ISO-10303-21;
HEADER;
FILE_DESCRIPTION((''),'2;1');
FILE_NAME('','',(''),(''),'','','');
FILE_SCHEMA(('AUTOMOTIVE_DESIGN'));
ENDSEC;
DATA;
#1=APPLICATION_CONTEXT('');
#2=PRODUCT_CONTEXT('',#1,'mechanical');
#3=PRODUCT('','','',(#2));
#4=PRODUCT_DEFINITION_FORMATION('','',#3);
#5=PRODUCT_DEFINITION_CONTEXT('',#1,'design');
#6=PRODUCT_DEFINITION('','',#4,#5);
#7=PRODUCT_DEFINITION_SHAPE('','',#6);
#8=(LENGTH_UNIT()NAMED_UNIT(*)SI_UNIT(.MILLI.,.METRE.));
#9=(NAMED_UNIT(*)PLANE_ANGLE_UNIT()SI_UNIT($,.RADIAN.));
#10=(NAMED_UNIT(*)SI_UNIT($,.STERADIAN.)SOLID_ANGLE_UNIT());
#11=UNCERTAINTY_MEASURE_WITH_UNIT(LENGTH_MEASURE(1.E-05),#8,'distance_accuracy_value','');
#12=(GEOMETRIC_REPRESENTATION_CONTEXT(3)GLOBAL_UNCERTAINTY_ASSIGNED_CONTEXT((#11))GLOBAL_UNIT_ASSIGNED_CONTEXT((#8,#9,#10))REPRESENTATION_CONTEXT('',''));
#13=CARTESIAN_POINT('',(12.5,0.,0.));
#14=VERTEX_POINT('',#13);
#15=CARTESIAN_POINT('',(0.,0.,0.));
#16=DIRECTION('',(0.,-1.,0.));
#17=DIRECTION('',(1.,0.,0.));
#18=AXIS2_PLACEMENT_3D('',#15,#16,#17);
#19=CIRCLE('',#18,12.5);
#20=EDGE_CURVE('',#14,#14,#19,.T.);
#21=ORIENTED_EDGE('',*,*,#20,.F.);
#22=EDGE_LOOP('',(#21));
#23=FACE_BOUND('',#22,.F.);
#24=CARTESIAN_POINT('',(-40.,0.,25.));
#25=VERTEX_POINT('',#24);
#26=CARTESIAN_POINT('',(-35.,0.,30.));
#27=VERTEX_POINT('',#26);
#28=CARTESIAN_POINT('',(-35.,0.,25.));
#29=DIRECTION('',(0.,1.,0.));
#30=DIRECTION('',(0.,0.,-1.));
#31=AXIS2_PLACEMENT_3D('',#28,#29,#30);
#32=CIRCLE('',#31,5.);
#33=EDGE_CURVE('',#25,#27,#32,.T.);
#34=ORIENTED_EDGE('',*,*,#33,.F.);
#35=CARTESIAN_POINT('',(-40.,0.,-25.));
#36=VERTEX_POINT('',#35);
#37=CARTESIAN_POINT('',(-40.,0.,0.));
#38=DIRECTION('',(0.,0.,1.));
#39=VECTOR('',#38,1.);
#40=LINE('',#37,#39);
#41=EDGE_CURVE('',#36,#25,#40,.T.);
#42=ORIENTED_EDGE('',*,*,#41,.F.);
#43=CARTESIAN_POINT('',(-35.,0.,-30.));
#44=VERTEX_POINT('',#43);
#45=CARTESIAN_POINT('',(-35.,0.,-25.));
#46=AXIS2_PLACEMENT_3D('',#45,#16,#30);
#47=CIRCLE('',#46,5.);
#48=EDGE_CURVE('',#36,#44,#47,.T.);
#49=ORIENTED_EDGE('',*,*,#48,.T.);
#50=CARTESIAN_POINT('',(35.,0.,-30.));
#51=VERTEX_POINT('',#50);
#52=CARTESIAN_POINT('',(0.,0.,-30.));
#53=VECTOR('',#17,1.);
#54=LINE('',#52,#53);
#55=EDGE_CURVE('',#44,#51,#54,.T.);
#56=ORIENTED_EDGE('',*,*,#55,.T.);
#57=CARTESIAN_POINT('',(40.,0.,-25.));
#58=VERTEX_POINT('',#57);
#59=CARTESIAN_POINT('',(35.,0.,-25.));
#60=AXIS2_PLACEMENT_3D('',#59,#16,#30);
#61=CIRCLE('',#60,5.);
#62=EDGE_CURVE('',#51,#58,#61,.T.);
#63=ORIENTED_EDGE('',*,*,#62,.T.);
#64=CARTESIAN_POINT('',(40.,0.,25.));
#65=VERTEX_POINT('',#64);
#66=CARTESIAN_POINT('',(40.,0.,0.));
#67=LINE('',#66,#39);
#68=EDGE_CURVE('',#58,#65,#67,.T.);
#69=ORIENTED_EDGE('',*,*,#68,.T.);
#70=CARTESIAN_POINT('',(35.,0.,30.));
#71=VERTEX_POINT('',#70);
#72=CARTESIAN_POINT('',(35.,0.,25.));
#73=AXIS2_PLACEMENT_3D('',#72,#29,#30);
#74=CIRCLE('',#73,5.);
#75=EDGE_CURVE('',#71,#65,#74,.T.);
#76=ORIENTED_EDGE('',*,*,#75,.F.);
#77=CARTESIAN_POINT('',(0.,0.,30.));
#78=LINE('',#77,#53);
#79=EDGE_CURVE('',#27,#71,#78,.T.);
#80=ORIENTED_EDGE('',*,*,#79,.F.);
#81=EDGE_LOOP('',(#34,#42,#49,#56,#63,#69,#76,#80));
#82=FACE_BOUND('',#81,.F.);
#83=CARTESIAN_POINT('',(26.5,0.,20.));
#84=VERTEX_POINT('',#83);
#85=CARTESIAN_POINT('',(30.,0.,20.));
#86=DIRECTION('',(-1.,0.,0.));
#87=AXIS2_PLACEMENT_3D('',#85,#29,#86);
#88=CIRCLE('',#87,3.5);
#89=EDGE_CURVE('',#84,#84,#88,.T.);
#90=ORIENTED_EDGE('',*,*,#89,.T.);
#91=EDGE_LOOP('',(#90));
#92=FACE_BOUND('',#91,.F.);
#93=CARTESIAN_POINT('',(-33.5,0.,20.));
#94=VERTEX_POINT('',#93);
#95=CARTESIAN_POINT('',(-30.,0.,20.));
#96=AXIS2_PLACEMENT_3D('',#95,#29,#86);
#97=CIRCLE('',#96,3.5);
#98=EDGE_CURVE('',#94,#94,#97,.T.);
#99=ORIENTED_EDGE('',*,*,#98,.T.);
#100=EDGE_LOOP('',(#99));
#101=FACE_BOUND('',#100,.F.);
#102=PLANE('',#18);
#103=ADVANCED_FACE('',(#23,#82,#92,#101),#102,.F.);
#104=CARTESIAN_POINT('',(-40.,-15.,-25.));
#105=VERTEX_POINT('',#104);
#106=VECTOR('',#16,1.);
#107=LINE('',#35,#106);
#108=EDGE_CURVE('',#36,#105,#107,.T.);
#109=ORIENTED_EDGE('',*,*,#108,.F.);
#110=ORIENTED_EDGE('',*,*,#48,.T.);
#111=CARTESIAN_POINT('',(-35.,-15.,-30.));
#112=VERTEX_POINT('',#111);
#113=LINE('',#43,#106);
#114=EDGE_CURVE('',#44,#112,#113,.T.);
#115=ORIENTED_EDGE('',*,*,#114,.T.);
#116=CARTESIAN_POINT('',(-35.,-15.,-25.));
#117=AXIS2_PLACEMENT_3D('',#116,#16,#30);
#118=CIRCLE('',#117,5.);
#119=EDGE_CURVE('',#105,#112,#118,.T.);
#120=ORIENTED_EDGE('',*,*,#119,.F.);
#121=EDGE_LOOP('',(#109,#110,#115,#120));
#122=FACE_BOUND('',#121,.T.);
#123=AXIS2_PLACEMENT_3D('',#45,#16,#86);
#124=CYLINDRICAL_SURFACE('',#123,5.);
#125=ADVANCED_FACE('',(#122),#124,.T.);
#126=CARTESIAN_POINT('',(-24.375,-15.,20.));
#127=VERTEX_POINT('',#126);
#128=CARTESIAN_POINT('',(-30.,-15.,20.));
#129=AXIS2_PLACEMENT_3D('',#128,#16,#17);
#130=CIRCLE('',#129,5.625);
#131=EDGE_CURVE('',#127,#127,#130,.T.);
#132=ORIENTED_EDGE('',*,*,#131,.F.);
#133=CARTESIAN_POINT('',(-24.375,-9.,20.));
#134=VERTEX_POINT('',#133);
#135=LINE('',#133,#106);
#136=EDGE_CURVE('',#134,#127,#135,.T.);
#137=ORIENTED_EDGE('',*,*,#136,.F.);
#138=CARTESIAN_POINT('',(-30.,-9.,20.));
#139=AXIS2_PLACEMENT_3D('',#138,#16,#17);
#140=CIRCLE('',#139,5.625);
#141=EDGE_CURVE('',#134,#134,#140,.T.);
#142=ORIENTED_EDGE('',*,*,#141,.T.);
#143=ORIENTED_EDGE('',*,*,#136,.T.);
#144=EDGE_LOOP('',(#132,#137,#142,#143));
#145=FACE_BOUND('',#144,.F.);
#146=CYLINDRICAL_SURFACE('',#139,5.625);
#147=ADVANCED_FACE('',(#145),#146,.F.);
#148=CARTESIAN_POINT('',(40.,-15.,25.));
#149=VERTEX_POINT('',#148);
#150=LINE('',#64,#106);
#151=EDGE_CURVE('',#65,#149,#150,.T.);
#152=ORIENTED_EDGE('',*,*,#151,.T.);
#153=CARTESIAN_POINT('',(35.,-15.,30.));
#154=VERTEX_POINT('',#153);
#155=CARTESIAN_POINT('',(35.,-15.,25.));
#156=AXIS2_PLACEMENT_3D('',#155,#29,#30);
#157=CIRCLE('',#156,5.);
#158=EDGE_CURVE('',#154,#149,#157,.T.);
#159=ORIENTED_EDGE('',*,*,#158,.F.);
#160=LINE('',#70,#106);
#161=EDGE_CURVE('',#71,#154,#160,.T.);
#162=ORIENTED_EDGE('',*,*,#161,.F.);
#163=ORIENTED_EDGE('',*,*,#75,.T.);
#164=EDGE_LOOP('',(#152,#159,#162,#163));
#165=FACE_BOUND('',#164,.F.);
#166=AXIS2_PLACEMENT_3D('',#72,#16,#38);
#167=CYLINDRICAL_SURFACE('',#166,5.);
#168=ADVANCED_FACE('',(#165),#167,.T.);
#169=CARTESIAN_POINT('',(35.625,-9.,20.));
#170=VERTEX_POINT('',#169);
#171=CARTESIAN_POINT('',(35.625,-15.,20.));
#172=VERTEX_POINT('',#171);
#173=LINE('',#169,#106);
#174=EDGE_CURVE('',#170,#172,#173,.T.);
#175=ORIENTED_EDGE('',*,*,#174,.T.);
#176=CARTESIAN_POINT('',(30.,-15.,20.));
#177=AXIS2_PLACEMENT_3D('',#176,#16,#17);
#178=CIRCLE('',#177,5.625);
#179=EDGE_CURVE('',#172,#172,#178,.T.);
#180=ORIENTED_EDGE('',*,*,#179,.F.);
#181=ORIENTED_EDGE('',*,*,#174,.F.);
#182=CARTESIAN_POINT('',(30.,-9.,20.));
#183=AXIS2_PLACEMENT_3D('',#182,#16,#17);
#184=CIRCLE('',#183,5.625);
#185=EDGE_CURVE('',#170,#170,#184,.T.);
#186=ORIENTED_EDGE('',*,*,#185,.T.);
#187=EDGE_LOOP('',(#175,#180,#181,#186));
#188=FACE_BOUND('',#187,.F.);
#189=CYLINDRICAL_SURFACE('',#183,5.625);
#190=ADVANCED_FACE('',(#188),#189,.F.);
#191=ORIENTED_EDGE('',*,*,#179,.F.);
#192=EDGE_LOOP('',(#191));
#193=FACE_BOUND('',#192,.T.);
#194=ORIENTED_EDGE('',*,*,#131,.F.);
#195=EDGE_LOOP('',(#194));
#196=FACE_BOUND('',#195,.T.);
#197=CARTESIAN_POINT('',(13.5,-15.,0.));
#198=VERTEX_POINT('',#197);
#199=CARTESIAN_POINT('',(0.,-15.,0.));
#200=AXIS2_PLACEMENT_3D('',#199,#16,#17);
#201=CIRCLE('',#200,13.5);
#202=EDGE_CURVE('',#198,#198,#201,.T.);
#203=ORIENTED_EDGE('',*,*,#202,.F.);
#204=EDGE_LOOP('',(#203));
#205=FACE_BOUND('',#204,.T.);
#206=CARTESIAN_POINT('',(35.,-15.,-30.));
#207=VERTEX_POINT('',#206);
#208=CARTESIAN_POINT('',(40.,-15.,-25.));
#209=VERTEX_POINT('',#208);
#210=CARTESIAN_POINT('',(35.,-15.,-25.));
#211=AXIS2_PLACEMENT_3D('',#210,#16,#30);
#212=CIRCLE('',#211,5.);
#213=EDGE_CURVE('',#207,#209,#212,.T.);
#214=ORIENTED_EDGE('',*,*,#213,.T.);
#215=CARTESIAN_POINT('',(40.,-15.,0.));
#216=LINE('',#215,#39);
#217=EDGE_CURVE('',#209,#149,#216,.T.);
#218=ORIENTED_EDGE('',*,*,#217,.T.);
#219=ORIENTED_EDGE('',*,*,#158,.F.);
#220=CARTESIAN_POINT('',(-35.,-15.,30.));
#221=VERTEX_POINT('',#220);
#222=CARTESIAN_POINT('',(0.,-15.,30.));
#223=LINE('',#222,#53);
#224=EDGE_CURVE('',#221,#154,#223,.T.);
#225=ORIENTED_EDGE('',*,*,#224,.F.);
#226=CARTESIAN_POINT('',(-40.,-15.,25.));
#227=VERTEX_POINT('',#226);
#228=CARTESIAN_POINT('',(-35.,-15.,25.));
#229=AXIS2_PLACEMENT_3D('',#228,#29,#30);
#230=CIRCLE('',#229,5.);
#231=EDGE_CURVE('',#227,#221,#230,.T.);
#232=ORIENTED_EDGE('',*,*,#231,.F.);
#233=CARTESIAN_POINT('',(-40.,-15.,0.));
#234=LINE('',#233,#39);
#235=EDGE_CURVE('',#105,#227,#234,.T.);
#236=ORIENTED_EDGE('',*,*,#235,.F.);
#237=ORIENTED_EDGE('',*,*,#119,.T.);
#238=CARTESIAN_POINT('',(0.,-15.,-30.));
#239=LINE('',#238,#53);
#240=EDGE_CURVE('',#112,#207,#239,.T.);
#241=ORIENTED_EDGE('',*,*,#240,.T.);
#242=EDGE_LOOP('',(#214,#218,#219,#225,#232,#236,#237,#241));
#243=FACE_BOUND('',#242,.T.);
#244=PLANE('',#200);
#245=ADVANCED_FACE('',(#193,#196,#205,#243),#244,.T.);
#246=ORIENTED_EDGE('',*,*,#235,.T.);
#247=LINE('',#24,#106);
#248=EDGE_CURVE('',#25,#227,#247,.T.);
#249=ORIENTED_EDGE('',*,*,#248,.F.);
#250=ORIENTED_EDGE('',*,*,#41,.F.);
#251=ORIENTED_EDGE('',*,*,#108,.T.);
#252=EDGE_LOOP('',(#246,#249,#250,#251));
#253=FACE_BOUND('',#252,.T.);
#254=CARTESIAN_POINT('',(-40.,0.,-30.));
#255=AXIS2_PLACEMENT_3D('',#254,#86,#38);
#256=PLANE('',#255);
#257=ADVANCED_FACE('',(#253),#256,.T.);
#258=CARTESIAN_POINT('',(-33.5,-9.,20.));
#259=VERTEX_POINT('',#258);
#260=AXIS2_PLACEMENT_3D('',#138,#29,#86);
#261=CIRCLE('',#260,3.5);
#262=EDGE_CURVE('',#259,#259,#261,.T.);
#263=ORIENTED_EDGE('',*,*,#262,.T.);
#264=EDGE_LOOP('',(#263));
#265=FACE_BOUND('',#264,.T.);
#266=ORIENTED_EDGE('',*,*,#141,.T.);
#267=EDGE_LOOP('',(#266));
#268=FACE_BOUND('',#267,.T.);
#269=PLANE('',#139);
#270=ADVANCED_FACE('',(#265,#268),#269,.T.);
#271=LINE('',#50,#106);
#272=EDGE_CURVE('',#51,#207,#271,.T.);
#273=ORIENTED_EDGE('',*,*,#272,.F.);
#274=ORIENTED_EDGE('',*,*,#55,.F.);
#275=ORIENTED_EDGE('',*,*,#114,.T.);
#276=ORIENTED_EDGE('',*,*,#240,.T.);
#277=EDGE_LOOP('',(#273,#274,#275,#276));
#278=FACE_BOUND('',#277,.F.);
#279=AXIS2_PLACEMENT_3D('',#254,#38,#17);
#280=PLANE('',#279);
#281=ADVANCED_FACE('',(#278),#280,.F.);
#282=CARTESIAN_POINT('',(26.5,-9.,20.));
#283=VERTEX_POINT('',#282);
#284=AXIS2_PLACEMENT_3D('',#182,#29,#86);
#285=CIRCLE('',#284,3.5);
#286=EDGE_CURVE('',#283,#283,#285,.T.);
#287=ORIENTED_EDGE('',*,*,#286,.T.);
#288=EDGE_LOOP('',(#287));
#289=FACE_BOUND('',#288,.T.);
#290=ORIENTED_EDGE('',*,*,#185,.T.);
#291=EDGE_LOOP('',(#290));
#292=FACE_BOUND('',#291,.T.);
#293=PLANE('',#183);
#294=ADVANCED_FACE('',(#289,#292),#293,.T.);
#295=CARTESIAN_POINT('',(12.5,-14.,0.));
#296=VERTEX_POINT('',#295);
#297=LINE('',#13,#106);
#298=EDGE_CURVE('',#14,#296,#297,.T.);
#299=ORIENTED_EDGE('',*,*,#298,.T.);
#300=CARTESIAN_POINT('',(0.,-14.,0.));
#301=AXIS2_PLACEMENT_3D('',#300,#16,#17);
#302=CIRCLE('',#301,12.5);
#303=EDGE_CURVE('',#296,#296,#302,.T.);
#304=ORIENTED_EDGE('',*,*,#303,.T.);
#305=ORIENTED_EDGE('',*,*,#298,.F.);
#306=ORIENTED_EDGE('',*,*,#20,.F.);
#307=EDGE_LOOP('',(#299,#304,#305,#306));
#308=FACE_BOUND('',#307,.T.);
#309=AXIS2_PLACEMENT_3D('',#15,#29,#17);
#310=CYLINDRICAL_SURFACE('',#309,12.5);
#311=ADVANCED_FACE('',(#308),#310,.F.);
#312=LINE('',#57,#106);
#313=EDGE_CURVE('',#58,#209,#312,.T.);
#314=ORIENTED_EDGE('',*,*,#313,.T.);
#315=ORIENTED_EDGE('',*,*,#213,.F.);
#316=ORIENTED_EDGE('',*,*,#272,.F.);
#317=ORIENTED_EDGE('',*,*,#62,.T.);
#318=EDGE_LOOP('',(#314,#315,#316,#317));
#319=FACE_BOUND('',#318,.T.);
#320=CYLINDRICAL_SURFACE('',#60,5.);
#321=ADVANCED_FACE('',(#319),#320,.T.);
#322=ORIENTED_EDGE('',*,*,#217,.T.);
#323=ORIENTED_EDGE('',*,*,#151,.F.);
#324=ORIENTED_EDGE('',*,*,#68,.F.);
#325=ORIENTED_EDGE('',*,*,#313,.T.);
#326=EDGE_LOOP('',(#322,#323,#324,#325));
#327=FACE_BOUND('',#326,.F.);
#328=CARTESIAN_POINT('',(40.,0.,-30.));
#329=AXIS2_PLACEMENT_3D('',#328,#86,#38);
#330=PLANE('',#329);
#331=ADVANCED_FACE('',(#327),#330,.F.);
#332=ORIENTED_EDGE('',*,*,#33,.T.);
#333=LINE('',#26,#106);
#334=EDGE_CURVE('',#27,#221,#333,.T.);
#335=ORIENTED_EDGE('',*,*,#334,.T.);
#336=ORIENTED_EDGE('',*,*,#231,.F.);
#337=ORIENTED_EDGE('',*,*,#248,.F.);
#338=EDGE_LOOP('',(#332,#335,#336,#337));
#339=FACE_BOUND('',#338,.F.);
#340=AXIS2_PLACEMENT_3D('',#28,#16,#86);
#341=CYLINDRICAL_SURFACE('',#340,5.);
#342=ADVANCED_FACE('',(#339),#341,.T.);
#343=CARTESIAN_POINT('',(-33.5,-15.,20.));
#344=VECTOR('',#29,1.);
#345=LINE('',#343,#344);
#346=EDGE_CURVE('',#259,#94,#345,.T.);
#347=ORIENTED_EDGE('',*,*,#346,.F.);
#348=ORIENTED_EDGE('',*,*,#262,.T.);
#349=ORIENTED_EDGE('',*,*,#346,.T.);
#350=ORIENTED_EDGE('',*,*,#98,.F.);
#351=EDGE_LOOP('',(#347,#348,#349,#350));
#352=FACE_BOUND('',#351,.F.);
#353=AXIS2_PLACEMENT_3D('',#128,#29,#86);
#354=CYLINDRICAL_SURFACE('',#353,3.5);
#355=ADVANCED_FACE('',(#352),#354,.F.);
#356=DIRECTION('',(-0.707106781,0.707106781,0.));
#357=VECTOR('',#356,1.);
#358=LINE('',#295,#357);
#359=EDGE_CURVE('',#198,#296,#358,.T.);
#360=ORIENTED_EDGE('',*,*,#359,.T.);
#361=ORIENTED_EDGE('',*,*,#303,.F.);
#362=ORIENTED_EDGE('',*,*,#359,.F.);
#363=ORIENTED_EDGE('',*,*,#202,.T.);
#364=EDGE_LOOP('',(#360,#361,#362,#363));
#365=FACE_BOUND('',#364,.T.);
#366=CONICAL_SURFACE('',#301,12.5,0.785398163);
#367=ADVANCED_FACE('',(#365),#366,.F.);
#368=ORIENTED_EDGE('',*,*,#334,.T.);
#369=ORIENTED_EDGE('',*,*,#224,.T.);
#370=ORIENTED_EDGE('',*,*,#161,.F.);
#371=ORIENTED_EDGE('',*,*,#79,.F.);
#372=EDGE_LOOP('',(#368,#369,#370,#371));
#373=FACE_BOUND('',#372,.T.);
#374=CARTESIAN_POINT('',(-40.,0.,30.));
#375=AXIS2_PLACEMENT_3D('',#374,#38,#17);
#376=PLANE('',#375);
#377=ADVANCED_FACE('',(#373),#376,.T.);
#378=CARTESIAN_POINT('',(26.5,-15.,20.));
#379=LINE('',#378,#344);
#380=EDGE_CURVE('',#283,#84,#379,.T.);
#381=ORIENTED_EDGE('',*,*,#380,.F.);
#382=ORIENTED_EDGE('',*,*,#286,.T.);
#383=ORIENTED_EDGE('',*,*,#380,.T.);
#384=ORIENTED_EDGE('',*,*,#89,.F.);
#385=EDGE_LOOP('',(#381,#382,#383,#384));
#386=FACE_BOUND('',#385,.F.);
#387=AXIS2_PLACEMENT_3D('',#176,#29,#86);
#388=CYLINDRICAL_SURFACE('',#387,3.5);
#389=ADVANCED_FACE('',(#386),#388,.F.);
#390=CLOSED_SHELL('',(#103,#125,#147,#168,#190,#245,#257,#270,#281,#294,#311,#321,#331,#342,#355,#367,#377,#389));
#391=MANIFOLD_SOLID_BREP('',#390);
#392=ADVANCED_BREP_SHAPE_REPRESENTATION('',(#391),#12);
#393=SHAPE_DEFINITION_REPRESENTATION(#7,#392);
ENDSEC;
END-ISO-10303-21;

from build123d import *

# Parameters (mm, degrees)
F0_W           = 80
F0_H           = 60
F0_R           = 12.5
F1_DEPTH       = 15
F3_D           = 7
F3_CBORE_D     = 11.25
F3_CBORE_DEPTH = 6
F4_R           = 5
F5_SIZE        = 1


with BuildPart() as f1:
    # F0 (on Front) → F1 (new body)
    with BuildSketch(Plane.XZ):
        Rectangle(F0_W, F0_H)
        Circle(F0_R, mode=Mode.SUBTRACT)
    extrude(amount=F1_DEPTH)

    # F3 (through all)
    with Locations(Plane.XZ.offset(15)):
        with Locations((-30, 20), (30, 20)):
            CounterBoreHole(F3_D / 2, F3_CBORE_D / 2, F3_CBORE_DEPTH)

    # F4
    f4_edges = [f1.edges().sort_by_distance(p)[0] for p in [
        (40, -7.5, 30),
        (40, -7.5, -30),
        (-40, -7.5, 30),
        (-40, -7.5, -30),
    ]]
    fillet(f4_edges, radius=F4_R)

    # F5
    f5_edges = [f1.edges().sort_by_distance(p)[0] for p in [
        (-12.5, -15, 0),
    ]]
    chamfer(f5_edges, length=F5_SIZE)


solid = f1.part
